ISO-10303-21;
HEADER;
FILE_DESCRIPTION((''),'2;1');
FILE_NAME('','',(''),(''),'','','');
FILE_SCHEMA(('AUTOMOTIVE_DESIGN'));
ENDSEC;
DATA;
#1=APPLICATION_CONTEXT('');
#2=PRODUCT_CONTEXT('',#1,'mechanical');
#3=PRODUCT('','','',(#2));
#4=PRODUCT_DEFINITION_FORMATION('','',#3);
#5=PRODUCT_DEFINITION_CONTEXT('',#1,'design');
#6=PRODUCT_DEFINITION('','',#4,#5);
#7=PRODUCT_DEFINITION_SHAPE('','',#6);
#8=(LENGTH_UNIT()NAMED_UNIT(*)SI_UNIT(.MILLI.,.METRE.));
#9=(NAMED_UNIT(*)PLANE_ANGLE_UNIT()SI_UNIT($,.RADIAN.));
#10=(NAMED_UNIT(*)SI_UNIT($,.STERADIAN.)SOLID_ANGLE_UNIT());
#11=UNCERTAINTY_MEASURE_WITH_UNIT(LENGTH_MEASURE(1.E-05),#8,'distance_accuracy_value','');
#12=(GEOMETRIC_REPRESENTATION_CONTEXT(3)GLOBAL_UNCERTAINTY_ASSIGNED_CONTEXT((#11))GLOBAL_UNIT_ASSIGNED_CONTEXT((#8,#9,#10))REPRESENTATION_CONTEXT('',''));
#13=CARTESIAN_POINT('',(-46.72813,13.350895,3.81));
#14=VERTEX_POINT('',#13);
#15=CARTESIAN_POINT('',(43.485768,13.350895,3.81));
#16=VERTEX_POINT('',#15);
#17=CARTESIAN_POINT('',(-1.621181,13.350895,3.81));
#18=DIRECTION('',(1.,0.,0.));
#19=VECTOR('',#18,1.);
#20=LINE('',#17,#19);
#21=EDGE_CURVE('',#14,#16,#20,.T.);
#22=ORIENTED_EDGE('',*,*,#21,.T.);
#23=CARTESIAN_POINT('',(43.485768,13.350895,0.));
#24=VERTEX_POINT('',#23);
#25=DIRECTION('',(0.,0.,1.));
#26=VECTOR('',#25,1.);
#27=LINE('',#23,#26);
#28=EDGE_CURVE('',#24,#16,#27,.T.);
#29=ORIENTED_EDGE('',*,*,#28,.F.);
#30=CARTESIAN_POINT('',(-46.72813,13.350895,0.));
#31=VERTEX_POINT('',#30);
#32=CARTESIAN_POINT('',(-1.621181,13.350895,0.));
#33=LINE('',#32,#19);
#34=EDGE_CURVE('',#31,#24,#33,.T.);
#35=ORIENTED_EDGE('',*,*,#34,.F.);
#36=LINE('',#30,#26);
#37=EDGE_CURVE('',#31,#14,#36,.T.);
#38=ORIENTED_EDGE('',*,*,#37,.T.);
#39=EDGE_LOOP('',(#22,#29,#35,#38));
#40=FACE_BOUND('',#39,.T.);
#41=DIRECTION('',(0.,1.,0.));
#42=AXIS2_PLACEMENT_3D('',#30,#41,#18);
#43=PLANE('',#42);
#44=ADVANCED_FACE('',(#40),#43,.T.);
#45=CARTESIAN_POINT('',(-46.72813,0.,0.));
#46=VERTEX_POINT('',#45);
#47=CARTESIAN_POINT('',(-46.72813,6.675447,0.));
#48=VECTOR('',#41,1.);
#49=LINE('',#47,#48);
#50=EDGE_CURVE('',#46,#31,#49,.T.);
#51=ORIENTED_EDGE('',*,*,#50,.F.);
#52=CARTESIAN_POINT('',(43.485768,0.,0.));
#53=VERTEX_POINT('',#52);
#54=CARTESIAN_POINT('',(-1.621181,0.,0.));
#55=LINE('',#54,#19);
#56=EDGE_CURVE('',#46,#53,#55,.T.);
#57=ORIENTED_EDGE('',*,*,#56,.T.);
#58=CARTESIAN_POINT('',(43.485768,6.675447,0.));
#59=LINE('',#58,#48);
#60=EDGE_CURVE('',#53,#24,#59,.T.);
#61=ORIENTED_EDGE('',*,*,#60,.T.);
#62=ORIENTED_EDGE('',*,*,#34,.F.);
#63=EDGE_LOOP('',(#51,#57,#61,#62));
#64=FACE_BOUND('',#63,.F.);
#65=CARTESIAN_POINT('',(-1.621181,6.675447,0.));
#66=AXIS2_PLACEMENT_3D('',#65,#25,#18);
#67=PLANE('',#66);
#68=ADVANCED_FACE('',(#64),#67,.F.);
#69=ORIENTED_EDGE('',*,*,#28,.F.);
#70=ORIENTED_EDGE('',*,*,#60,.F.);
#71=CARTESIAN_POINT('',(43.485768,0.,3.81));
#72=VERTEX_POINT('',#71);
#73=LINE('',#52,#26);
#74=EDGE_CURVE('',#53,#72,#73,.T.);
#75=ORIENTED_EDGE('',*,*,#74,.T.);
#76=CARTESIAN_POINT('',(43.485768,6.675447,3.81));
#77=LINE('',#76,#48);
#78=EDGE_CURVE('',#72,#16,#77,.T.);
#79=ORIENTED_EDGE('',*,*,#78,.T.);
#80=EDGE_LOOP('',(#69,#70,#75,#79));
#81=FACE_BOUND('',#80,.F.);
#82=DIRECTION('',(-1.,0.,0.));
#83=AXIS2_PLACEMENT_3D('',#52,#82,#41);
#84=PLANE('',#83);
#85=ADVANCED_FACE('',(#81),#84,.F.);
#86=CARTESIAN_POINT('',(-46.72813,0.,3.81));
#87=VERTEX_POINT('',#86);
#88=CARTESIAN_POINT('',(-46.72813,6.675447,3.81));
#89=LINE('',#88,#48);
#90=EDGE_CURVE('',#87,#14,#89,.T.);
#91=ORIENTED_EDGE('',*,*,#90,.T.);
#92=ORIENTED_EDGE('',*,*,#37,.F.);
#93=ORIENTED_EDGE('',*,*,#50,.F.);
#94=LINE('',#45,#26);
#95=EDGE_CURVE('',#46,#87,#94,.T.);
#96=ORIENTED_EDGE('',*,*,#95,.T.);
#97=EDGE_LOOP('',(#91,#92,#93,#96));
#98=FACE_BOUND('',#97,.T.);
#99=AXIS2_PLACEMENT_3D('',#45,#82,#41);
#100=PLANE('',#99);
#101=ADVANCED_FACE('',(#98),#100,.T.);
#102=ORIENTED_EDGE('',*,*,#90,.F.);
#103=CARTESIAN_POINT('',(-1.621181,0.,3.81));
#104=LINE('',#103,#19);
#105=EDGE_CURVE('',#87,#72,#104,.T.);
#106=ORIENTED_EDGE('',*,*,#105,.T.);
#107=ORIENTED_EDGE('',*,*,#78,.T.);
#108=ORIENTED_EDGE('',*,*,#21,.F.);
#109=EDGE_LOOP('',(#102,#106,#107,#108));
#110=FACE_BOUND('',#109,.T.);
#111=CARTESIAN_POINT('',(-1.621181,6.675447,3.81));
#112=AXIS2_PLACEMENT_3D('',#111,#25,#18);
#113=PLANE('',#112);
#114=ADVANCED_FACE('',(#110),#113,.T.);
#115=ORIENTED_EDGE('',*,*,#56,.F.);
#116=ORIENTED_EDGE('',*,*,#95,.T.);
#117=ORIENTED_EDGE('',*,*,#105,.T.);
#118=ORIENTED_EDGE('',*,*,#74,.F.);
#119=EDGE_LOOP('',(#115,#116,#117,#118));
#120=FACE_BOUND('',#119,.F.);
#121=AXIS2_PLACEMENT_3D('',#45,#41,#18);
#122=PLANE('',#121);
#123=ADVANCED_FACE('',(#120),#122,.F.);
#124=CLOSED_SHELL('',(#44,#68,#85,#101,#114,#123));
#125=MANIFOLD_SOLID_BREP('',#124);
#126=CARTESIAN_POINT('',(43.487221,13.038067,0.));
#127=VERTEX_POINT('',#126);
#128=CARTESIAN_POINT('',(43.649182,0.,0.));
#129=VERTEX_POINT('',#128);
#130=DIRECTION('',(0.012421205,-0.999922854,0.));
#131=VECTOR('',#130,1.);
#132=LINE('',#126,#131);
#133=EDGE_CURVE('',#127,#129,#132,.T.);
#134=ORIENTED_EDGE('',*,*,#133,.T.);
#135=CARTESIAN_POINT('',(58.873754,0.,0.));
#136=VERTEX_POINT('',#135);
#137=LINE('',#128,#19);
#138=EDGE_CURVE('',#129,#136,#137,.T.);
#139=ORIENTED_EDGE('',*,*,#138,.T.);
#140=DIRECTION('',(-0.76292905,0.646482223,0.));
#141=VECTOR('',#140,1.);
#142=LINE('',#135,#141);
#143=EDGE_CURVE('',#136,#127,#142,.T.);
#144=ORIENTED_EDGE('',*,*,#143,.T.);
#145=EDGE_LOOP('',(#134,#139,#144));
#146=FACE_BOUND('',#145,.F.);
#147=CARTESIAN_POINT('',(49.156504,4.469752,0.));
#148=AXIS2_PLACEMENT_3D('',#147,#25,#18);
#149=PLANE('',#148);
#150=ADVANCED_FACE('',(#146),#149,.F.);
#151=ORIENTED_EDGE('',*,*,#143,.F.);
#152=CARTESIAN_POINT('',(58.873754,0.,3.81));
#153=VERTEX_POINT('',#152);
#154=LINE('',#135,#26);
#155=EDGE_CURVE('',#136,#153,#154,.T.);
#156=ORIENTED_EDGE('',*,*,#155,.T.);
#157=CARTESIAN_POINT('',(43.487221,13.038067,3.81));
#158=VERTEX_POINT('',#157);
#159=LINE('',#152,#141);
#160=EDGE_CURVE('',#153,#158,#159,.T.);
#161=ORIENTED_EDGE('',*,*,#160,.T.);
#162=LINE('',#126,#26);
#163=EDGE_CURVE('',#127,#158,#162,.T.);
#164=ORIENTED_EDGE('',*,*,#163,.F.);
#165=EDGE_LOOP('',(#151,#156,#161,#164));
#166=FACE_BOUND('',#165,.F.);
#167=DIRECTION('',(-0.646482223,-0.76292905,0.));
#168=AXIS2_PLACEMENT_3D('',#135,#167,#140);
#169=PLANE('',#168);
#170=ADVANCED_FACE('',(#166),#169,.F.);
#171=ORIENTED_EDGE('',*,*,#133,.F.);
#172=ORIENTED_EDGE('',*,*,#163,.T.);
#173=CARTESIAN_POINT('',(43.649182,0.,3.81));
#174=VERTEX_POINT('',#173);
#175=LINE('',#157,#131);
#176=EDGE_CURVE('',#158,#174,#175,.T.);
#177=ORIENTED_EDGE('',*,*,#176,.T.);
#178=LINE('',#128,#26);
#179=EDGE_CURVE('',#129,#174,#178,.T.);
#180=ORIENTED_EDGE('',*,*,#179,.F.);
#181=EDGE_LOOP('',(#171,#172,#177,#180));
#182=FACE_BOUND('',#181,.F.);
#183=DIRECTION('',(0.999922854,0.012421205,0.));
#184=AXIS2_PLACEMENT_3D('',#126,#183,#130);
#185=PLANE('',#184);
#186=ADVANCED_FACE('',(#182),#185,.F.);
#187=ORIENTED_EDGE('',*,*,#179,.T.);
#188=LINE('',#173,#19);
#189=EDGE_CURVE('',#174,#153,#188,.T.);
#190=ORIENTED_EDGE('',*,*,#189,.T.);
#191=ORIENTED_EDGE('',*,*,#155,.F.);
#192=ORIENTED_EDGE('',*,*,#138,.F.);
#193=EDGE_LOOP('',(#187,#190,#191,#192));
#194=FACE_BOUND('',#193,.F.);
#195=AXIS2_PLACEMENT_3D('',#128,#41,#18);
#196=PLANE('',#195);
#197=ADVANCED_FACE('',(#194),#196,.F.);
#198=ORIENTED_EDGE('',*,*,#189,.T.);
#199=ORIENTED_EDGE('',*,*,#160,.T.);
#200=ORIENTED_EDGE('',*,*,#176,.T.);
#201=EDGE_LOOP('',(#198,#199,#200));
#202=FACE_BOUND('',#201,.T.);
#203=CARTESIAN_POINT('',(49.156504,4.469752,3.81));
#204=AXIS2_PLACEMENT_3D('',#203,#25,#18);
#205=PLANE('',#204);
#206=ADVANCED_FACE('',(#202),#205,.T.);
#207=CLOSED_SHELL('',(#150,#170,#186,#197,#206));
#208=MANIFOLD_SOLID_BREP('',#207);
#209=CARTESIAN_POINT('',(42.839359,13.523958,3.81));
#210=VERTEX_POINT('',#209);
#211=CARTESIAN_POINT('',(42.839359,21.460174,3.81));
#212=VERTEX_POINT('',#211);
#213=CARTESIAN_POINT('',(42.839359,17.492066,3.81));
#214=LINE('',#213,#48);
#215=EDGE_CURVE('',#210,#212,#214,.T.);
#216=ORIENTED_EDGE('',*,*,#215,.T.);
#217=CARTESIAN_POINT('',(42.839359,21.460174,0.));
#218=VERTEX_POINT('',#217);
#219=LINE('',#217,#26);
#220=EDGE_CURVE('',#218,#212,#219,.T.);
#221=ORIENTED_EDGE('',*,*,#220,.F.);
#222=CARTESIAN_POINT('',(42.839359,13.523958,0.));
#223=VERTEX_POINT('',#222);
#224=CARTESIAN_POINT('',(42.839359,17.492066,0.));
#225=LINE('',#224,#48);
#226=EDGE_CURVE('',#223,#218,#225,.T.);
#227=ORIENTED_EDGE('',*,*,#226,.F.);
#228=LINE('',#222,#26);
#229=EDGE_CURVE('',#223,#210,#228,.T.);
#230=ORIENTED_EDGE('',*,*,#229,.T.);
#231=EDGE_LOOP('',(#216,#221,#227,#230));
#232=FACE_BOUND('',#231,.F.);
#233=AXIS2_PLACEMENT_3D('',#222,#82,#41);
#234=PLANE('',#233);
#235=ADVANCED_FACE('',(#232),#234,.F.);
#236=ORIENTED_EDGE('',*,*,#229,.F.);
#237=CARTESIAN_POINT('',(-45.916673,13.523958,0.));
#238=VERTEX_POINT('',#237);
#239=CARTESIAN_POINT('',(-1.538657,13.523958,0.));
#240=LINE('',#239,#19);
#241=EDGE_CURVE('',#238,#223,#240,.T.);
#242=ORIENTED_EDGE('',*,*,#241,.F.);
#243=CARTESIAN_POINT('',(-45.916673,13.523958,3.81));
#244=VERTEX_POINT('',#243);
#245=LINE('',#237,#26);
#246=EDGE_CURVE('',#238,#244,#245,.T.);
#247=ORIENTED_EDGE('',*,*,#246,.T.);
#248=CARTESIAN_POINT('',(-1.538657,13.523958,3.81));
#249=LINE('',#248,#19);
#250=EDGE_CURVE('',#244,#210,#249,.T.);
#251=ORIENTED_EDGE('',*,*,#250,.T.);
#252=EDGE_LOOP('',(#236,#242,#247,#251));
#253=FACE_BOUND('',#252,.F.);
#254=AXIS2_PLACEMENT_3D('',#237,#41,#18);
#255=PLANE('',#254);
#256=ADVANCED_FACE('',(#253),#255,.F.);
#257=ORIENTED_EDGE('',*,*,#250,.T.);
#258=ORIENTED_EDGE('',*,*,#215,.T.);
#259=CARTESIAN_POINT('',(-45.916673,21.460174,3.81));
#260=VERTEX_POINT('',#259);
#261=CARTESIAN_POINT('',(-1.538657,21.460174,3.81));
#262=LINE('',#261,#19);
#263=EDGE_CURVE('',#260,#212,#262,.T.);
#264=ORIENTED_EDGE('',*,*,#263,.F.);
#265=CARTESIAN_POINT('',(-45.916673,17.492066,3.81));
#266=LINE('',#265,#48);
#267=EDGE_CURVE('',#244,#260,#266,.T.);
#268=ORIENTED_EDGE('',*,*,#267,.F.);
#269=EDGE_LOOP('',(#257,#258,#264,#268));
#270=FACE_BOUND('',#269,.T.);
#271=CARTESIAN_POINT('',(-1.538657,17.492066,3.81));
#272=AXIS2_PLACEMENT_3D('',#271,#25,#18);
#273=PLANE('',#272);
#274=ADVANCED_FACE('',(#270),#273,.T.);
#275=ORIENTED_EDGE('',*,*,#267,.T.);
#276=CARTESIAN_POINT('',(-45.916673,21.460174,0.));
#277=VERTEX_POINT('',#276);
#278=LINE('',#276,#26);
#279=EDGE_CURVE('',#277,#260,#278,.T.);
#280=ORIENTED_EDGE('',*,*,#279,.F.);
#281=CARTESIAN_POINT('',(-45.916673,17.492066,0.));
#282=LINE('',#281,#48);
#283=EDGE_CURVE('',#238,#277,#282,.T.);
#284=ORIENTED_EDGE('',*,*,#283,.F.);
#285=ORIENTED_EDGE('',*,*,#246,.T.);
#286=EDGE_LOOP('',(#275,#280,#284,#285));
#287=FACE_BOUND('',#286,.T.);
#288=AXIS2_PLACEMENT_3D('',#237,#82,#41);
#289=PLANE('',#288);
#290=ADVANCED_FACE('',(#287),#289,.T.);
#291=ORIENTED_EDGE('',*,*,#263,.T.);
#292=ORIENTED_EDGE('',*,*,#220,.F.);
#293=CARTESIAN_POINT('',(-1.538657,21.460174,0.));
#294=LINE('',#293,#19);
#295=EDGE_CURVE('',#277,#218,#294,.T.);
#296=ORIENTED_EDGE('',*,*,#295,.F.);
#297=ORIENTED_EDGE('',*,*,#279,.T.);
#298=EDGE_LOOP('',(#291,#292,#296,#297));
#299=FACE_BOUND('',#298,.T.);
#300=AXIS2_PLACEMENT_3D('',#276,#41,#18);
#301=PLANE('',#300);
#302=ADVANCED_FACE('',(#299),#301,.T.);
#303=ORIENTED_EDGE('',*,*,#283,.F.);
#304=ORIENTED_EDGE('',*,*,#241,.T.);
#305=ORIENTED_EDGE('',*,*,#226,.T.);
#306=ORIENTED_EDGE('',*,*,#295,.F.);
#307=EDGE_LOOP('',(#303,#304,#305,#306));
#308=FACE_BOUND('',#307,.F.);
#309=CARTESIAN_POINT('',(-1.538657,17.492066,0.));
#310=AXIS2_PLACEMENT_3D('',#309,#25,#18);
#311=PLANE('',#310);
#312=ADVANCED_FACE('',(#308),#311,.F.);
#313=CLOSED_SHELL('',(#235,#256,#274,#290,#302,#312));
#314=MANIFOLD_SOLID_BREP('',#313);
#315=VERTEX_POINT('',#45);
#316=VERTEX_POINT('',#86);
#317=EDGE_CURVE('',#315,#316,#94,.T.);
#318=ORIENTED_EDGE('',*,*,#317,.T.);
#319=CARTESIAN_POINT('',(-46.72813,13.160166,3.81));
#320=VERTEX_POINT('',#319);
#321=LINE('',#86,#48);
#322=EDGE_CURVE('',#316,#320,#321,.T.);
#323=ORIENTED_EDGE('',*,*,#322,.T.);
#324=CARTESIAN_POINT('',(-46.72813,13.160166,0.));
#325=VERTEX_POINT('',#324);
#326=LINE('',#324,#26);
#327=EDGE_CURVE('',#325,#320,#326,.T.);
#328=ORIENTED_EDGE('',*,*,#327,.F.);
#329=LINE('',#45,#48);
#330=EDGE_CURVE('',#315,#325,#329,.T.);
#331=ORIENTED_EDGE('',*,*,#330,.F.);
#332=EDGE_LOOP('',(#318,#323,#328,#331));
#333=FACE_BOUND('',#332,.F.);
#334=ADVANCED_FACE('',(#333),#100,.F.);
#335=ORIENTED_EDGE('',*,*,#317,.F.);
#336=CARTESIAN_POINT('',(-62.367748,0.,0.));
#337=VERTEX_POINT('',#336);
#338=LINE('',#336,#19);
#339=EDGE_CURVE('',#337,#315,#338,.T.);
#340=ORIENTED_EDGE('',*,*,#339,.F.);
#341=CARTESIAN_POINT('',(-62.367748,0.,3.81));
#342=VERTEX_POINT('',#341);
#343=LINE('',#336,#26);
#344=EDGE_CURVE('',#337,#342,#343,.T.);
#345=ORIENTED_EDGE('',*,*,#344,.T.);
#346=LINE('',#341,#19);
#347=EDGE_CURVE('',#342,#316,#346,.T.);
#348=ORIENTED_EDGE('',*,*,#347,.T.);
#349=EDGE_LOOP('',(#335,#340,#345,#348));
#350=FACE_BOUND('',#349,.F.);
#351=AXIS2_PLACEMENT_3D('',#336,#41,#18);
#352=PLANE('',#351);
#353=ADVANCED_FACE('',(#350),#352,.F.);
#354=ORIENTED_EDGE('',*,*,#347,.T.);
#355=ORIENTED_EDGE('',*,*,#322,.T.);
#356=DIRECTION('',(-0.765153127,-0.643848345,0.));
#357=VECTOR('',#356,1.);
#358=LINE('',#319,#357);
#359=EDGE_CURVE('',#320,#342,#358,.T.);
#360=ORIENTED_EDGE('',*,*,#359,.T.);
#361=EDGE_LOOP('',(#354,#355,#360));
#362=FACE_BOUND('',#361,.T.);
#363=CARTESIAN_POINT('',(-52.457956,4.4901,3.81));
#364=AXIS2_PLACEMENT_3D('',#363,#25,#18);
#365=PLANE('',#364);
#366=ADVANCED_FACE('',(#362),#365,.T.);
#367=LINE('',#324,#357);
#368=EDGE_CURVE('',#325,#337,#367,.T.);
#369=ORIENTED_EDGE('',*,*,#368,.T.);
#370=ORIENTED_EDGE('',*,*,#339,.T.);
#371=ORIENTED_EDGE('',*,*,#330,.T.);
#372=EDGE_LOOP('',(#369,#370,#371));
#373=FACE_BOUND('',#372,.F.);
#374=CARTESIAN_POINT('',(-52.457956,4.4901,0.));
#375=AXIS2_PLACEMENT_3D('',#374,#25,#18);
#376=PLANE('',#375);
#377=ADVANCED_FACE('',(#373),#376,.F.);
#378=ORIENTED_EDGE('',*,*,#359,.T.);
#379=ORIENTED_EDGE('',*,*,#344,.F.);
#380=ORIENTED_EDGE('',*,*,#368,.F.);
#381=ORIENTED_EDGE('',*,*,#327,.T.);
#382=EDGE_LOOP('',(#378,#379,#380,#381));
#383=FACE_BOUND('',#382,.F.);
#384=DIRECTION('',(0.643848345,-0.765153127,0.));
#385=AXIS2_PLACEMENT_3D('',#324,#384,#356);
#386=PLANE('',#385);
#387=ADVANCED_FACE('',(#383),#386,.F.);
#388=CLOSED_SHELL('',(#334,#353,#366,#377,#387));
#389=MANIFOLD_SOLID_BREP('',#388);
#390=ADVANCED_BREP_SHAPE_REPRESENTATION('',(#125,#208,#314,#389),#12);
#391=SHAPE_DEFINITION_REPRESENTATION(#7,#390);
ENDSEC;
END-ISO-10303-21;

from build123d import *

# Parameters (mm, degrees)
F0_W     = 90.213898
F0_H     = 13.350895
F1_DEPTH = 3.81
F3_DEPTH = 3.81
F5_DEPTH = 3.81
F6_W     = 88.756032
F6_H     = 7.936216
F7_DEPTH = 3.81


with BuildPart() as f1:
    # F0 (on Top) → F1 (new body)
    with BuildSketch(Plane.XY):
        with Locations((-1.621181, 6.675447)):
            Rectangle(F0_W, F0_H)
    extrude(amount=F1_DEPTH)


with BuildPart() as f3:
    # F2 (on Top) → F3 (new body)
    with BuildSketch(Plane.XY):
        Polygon((-46.72813, 0), (-46.72813, 13.160166), (-62.367748, 0), align=None)
    extrude(amount=F3_DEPTH)


with BuildPart() as f5:
    # F4 (on Top) → F5 (new body)
    with BuildSketch(Plane.XY):
        Polygon((58.873754, 0), (43.487221, 13.038067), (43.649182, 0), align=None)
    extrude(amount=F5_DEPTH)


with BuildPart() as f7:
    # F6 (on Top) → F7 (new body)
    with BuildSketch(Plane.XY):
        with Locations((-1.538657, 17.492066)):
            Rectangle(F6_W, F6_H)
    extrude(amount=F7_DEPTH)


solid = Compound([f1.part, f3.part, f5.part, f7.part])
